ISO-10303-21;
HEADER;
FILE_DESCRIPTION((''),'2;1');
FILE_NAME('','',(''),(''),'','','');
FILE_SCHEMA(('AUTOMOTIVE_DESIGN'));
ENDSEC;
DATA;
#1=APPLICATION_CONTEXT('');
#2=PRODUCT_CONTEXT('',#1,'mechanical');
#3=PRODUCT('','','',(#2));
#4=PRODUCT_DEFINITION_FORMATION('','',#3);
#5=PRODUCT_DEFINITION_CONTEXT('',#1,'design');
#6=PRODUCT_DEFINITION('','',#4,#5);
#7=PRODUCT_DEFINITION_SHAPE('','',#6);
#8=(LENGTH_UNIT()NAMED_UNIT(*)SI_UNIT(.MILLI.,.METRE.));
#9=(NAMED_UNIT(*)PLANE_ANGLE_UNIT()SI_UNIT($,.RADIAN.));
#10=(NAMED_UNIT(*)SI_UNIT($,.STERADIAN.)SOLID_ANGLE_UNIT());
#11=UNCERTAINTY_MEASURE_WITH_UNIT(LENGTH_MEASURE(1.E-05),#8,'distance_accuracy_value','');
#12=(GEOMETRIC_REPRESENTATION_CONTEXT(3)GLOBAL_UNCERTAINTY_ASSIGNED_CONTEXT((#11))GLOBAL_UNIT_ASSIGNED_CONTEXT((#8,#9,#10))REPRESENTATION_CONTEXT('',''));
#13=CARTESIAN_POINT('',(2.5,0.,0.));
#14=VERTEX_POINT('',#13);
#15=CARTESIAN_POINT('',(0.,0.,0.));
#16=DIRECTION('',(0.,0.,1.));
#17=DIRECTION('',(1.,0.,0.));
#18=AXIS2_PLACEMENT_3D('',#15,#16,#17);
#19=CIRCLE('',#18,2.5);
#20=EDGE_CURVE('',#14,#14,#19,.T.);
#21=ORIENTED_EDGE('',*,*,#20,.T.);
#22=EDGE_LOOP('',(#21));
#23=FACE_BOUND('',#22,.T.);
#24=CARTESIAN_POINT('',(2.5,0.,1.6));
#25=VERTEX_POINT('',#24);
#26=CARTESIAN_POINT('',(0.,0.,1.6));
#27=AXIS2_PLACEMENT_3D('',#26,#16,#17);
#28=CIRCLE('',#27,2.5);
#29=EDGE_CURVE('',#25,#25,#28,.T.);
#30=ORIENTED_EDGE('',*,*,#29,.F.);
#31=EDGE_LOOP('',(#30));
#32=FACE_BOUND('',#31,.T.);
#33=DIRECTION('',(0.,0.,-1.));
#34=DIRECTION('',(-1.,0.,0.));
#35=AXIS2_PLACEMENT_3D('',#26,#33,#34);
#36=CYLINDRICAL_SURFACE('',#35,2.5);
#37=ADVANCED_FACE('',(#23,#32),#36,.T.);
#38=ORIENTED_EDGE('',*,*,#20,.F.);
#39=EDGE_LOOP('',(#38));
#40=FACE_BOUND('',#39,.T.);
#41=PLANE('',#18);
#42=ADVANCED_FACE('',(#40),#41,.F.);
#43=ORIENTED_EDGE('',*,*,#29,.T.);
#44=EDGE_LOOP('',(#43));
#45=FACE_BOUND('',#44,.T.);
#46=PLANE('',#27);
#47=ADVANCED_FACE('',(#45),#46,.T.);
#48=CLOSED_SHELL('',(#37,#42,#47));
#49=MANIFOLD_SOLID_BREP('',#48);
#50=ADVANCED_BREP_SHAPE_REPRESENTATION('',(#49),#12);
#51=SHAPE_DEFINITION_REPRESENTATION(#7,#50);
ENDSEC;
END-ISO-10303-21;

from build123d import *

# Parameters (mm, degrees)
ESQUISSE1_R        = 2.5
BOSS_EXTRU_1_DEPTH = 1.6


with BuildPart() as part:
    # Esquisse1 → Boss.-Extru.1 (new body)
    with BuildSketch(Plane.XY):
        Circle(ESQUISSE1_R)
    extrude(amount=BOSS_EXTRU_1_DEPTH)


solid = part.part
